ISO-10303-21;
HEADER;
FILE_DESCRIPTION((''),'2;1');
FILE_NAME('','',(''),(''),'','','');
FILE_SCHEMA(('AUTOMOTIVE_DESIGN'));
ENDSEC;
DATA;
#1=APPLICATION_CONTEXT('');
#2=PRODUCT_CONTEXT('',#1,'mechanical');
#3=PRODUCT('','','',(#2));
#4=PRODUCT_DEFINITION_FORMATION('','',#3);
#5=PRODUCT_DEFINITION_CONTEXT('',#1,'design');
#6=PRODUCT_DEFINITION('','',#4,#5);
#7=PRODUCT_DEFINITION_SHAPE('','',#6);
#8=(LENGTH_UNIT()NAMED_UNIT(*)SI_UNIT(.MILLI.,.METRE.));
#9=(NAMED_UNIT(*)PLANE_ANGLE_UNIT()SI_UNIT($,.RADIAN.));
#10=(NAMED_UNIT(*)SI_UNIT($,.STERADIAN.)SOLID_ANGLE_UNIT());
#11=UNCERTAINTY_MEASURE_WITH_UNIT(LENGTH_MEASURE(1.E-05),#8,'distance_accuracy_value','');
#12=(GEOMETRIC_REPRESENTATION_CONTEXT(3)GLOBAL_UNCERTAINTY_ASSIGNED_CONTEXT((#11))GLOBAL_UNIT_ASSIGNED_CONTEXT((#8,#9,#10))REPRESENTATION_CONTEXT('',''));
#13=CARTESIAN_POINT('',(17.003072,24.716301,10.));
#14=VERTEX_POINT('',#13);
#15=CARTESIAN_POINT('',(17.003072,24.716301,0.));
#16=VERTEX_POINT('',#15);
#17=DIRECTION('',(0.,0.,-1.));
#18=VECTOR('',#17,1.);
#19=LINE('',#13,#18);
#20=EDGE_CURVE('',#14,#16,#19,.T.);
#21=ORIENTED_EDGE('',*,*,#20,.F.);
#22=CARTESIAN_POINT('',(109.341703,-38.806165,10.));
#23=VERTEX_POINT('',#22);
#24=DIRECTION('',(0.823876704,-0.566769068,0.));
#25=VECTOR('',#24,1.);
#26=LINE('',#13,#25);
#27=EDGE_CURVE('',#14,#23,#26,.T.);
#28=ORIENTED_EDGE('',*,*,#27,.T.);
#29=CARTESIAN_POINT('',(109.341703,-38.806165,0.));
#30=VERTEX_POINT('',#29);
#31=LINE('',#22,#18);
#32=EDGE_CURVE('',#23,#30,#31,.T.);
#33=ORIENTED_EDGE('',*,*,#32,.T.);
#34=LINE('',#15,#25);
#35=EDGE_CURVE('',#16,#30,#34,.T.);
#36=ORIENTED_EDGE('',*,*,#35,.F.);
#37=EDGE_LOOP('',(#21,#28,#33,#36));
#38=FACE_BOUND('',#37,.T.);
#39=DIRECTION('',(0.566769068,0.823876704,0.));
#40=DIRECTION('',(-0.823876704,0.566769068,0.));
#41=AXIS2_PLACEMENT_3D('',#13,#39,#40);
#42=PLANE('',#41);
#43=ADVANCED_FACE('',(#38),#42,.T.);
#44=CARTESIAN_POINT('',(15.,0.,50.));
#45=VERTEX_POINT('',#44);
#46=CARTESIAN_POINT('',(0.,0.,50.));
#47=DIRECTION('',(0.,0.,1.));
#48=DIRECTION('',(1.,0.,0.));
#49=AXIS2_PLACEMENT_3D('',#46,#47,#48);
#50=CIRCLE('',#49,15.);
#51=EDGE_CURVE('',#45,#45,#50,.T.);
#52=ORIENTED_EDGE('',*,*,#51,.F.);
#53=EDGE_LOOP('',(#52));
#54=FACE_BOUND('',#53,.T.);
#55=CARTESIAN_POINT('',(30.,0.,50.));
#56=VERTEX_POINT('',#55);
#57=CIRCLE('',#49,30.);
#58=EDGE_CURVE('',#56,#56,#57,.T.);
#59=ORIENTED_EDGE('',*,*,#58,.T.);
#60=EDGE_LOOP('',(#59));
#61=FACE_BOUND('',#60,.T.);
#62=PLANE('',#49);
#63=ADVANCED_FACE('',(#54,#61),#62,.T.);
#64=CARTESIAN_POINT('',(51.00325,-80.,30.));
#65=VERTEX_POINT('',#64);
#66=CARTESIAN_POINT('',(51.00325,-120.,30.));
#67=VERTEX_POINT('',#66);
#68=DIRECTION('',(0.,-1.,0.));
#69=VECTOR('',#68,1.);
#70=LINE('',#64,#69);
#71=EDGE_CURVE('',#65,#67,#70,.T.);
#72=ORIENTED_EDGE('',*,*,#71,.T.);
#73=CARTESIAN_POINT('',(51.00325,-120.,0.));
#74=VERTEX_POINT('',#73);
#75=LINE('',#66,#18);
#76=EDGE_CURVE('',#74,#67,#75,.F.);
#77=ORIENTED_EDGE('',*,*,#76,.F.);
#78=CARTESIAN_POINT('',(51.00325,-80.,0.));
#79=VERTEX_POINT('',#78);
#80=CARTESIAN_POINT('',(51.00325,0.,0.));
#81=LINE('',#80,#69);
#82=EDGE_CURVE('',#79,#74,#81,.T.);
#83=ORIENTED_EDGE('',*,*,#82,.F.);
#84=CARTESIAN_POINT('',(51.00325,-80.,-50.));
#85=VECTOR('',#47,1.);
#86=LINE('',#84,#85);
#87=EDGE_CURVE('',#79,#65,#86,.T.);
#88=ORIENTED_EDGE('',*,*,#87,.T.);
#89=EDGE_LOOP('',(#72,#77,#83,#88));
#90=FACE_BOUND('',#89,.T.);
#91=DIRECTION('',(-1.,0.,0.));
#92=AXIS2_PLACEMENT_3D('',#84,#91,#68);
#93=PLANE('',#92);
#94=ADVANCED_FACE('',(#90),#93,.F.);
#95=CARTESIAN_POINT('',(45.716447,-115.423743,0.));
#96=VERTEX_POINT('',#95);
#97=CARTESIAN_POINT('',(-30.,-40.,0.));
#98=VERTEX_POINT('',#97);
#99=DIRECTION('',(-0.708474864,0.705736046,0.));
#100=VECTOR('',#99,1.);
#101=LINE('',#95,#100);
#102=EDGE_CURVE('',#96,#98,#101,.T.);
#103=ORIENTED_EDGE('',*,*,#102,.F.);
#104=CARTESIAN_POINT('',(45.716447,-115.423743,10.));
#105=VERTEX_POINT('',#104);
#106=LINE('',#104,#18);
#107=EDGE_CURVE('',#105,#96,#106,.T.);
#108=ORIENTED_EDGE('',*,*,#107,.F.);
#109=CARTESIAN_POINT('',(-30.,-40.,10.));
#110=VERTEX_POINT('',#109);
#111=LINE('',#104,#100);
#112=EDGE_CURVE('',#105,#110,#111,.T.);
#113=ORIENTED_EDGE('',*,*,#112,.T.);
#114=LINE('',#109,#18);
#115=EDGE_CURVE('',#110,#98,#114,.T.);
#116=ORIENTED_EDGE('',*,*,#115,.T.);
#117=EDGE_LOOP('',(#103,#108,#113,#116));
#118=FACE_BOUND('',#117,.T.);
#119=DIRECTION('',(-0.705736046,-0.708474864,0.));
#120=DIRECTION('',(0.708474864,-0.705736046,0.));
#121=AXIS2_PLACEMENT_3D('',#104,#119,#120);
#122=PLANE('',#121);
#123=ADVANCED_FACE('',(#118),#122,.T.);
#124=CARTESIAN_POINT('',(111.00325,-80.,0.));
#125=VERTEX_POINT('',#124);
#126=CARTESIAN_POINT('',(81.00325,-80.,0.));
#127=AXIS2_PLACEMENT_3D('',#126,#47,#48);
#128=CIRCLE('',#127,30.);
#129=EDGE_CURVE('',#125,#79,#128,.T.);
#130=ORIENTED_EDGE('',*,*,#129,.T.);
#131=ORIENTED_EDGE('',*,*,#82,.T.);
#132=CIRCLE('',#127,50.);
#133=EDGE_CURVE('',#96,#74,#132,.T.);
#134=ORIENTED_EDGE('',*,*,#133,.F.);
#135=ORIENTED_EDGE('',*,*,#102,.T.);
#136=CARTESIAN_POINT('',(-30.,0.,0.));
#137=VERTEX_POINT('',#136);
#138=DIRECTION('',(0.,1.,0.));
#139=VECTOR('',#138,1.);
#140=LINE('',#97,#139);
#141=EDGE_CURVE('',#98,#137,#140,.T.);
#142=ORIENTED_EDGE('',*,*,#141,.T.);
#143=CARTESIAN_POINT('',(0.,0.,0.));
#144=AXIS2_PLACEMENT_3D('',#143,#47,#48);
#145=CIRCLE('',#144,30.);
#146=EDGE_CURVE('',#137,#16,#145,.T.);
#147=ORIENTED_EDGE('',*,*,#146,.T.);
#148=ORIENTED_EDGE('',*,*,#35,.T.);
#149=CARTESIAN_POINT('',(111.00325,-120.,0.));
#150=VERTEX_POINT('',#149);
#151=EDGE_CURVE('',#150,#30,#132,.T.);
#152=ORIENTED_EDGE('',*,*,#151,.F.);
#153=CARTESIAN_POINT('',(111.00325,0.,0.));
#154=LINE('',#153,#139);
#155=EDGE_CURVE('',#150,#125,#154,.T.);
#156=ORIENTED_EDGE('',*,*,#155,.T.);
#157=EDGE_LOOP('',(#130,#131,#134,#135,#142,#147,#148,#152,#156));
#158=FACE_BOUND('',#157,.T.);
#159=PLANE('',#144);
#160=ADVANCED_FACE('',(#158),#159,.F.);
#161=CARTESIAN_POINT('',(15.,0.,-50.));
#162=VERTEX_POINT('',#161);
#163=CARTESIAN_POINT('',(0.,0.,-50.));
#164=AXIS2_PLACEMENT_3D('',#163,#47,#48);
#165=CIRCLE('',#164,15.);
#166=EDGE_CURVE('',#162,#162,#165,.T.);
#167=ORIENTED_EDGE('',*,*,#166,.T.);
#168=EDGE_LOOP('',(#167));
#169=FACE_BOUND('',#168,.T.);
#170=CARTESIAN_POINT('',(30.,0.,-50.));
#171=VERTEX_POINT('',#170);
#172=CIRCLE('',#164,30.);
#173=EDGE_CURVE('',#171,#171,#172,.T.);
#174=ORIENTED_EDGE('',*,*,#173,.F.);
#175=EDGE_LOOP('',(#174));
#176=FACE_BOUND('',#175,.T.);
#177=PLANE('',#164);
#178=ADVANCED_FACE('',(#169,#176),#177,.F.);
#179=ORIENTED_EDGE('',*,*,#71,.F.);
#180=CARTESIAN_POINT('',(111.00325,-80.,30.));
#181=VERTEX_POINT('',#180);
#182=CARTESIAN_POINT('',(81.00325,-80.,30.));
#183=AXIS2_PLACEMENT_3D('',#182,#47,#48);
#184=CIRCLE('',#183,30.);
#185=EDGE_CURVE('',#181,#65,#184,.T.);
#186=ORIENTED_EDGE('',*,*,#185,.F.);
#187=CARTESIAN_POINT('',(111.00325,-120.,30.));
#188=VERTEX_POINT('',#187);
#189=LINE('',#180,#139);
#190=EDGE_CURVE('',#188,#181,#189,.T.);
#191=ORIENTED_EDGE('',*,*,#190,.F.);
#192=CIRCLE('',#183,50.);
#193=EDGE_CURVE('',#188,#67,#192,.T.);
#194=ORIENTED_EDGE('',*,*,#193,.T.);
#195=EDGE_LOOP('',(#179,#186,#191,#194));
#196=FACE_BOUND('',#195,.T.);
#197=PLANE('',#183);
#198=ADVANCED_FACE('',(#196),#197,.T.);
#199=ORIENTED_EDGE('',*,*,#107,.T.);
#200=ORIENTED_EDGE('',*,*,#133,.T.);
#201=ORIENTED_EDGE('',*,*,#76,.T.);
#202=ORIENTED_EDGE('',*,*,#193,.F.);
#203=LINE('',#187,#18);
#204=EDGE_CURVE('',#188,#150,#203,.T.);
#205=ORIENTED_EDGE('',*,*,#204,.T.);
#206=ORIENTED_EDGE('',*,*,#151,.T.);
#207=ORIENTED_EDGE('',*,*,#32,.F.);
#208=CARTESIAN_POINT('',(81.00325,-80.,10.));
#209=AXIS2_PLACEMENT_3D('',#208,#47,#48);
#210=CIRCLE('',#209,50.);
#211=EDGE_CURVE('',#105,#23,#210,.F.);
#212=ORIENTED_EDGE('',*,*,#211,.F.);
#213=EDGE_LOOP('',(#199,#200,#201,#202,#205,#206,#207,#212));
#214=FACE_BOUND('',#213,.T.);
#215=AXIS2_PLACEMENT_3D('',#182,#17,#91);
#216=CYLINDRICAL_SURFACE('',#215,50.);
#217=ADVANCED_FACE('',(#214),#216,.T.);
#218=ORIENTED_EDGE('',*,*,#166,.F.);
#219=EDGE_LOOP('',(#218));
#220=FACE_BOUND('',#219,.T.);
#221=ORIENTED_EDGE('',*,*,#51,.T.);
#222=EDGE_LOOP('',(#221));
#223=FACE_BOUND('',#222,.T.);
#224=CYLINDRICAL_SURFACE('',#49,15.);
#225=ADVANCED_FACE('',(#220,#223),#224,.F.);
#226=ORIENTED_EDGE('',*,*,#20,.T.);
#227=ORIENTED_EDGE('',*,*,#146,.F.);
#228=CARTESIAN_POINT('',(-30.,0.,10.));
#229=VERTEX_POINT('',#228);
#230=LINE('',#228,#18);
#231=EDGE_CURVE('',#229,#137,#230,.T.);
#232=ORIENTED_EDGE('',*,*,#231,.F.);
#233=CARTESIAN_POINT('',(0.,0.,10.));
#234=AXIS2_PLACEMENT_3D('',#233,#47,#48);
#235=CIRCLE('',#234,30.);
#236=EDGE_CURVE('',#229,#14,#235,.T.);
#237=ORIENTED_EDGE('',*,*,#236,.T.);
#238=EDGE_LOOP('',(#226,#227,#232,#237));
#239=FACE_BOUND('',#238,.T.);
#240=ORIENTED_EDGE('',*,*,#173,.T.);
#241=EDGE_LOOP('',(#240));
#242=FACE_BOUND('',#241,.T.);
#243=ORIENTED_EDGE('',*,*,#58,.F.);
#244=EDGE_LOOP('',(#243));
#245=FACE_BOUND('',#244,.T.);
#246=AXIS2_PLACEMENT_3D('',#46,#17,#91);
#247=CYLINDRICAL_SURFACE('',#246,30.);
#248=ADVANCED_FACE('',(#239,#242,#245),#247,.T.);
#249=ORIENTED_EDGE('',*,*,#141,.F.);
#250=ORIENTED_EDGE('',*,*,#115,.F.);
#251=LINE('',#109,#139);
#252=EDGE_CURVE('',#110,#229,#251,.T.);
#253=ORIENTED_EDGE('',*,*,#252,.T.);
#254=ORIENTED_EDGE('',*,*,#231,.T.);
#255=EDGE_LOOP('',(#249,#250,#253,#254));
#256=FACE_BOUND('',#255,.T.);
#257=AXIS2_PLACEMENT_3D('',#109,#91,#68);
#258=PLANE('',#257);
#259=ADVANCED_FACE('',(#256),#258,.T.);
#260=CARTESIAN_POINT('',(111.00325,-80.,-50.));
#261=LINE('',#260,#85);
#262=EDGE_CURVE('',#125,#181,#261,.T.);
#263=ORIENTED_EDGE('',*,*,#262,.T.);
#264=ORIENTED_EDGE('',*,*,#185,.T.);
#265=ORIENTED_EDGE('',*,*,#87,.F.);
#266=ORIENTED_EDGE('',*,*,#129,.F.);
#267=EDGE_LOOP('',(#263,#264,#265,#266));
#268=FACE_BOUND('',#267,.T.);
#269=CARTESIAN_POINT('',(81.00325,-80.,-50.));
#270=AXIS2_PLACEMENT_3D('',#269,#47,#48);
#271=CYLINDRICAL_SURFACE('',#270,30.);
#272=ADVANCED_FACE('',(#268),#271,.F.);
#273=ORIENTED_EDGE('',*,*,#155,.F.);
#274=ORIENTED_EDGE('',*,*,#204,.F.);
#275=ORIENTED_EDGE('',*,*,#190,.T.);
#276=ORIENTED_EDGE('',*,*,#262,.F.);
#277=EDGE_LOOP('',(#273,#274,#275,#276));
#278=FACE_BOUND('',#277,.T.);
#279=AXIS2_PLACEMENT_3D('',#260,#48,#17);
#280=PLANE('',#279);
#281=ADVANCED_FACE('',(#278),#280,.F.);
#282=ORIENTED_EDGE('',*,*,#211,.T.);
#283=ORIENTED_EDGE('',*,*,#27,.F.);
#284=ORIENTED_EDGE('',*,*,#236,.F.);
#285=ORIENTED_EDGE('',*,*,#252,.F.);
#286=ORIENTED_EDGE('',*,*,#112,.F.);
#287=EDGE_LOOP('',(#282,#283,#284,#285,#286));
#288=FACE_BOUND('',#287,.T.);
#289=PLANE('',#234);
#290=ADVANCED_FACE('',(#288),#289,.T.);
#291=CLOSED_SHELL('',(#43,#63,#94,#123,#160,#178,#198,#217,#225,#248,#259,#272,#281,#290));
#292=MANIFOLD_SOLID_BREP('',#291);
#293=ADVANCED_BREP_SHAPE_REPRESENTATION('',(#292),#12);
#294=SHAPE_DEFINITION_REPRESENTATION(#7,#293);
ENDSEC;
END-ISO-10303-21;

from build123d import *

# Parameters (mm, degrees)
SKETCH1_R             = 30
BOSS_EXTRUDE1_DEPTH   = 50
SKETCH2_R             = 50
BOSS_EXTRUDE2_DEPTH   = 30
BOSS_EXTRUDE3_DEPTH   = 10
F_1_5MM_DOWEL_HOLE1_D = 30
CUT_EXTRUDE1_DEPTH    = 202.15131476


with BuildPart() as part:
    # Sketch1 → Boss-Extrude1 (new, symmetric)
    with BuildSketch(Plane.XY):
        Circle(SKETCH1_R)
    extrude(amount=BOSS_EXTRUDE1_DEPTH, both=True)



with BuildPart() as body_2:
    # Sketch2 → Boss-Extrude2 (new body)
    with BuildSketch(Plane.XY):
        with Locations((81.003249692, -80)):
            Circle(SKETCH2_R)
    extrude(amount=BOSS_EXTRUDE2_DEPTH)


with BuildPart() as part_1:
    add(part.part)

    add(body_2.part)  # Boss-Extrude3 merges body 2
    # Sketch3 → Boss-Extrude3 (add)
    with BuildSketch(Plane.XY):
        Polygon((17.003072039, 24.716301124), (109.34170309, -38.806164794), (45.716447378, -115.423743202), (-30, -40), (-30, 0), align=None)
    extrude(amount=BOSS_EXTRUDE3_DEPTH)

    # Ø1.5mm Dowel Hole1 (through all)
    with Locations(Plane.XY.offset(50)):
        with Locations((0, 0)):
            Hole(F_1_5MM_DOWEL_HOLE1_D / 2)

    # Sketch6 → Cut-Extrude1 (cut, through all)
    with BuildSketch(Plane.XY.offset(30)):
        with BuildLine():
            Line((111.003249692, -80), (111.003249692, -166.852911506))
            ThreePointArc((111.003249692, -166.852911506), (81.003249692, -196.852911506), (51.003249692, -166.852911506))
            Line((51.003249692, -166.852911506), (51.003249692, -80))
            ThreePointArc((51.003249692, -80), (81.003249692, -50), (111.003249692, -80))
        make_face()
    extrude(amount=-CUT_EXTRUDE1_DEPTH, mode=Mode.SUBTRACT)


solid = part_1.part
